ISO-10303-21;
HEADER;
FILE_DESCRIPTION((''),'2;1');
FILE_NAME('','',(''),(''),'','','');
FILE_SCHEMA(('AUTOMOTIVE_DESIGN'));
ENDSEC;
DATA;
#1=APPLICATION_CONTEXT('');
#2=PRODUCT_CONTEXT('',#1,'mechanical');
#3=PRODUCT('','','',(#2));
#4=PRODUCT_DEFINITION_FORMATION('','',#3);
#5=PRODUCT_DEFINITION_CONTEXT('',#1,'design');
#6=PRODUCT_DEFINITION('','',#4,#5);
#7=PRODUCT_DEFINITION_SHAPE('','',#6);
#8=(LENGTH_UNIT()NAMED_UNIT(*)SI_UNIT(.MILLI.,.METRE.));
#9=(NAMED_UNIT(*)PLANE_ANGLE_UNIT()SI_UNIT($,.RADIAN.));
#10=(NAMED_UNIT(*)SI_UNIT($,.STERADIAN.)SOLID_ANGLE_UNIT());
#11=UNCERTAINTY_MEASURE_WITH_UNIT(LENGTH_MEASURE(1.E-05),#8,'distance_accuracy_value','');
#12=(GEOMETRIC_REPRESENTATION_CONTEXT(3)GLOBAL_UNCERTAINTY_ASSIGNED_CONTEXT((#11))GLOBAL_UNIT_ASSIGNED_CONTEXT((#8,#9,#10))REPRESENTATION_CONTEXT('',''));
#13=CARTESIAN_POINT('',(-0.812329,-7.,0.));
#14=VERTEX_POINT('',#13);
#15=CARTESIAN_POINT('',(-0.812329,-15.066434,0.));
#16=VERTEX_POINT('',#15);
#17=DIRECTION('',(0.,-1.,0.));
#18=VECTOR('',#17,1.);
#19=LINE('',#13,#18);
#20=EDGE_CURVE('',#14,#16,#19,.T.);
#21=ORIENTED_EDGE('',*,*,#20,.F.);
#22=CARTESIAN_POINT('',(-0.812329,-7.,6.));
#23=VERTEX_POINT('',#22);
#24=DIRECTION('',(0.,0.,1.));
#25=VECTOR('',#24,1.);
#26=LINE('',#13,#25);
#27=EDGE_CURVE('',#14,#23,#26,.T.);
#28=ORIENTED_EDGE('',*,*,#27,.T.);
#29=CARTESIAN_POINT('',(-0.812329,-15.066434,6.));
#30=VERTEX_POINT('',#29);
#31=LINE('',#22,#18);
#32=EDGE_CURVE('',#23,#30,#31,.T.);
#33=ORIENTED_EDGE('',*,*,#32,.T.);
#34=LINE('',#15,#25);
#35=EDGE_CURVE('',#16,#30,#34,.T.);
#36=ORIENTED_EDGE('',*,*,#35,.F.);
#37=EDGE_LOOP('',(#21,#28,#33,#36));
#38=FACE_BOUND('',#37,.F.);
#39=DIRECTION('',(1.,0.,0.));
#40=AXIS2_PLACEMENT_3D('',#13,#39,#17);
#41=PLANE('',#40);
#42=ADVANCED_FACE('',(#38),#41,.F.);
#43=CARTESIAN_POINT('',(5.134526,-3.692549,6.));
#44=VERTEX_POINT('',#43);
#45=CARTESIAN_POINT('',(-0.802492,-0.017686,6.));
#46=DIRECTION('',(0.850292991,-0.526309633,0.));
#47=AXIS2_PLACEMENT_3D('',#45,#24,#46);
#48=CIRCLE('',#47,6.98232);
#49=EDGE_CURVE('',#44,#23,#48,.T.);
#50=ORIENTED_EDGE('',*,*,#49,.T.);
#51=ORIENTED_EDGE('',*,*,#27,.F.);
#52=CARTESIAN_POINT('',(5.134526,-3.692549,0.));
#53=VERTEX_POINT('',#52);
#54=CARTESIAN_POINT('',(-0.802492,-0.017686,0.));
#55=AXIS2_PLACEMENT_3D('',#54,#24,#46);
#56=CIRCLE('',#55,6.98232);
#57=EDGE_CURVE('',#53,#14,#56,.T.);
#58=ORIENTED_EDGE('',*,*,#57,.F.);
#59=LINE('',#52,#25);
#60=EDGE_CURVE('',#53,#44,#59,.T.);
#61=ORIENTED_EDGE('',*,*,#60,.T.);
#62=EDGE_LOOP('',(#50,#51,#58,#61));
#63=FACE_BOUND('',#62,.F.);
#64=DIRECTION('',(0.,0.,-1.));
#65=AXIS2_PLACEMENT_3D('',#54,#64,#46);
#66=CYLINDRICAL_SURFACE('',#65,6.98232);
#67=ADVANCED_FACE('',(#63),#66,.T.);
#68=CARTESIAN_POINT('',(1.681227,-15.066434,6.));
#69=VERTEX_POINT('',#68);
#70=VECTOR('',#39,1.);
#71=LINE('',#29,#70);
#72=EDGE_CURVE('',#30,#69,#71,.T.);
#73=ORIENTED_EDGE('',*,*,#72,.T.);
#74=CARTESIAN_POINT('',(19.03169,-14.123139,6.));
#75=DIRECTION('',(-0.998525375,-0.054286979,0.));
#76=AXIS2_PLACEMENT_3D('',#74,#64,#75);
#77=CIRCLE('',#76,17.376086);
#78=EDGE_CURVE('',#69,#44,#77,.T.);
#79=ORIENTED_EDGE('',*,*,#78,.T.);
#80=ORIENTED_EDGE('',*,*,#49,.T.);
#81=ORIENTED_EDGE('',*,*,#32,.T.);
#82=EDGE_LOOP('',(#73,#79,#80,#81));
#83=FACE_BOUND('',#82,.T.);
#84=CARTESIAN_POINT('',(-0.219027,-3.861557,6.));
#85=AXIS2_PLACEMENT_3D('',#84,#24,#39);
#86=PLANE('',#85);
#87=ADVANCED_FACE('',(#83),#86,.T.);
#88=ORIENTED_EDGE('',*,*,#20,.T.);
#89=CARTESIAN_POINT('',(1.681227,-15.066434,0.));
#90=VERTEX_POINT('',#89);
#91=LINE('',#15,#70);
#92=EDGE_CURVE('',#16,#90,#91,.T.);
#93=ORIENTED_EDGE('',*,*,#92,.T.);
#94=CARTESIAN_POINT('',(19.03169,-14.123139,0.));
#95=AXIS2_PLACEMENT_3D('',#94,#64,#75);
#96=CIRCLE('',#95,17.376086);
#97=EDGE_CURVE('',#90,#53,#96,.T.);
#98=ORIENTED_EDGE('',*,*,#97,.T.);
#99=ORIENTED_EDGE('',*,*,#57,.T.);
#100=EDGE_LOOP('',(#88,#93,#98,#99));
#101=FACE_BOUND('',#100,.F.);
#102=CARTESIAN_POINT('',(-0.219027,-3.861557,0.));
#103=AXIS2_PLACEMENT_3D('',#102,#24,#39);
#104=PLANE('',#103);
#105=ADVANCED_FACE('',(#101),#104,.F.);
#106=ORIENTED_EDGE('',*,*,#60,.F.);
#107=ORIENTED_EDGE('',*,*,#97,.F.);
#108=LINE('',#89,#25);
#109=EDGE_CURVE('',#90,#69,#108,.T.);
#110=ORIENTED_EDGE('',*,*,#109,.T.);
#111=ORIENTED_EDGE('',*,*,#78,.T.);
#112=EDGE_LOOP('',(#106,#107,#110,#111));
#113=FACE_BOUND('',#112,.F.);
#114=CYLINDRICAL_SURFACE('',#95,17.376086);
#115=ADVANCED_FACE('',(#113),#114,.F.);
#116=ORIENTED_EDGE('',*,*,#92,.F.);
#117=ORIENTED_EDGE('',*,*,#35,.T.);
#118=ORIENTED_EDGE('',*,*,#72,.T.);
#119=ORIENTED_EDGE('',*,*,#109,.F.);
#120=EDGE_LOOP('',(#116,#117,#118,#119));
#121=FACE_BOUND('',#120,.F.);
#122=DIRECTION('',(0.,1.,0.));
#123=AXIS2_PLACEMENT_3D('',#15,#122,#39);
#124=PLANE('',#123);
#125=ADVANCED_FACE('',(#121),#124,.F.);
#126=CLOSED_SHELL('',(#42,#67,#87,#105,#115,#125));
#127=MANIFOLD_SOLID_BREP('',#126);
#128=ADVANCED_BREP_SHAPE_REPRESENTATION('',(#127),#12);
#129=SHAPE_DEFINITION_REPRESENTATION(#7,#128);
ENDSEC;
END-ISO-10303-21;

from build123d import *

# Parameters (mm, degrees)
F1_DEPTH = 6


with BuildPart() as f1:
    # F0 (on Top) → F1 (new body)
    with BuildSketch(Plane.XY):
        with BuildLine():
            ThreePointArc((5.134526, -3.692549), (-4.196263, 6.084372), (-0.812329, -7))
            Line((-0.812329, -7), (-0.812329, -15.066434))
            Line((-0.812329, -15.066434), (1.681227, -15.066434))
            ThreePointArc((1.681227, -15.066434), (2.405059, -9.075019), (5.134526, -3.692549))
        make_face()
    extrude(amount=F1_DEPTH)


solid = f1.part
